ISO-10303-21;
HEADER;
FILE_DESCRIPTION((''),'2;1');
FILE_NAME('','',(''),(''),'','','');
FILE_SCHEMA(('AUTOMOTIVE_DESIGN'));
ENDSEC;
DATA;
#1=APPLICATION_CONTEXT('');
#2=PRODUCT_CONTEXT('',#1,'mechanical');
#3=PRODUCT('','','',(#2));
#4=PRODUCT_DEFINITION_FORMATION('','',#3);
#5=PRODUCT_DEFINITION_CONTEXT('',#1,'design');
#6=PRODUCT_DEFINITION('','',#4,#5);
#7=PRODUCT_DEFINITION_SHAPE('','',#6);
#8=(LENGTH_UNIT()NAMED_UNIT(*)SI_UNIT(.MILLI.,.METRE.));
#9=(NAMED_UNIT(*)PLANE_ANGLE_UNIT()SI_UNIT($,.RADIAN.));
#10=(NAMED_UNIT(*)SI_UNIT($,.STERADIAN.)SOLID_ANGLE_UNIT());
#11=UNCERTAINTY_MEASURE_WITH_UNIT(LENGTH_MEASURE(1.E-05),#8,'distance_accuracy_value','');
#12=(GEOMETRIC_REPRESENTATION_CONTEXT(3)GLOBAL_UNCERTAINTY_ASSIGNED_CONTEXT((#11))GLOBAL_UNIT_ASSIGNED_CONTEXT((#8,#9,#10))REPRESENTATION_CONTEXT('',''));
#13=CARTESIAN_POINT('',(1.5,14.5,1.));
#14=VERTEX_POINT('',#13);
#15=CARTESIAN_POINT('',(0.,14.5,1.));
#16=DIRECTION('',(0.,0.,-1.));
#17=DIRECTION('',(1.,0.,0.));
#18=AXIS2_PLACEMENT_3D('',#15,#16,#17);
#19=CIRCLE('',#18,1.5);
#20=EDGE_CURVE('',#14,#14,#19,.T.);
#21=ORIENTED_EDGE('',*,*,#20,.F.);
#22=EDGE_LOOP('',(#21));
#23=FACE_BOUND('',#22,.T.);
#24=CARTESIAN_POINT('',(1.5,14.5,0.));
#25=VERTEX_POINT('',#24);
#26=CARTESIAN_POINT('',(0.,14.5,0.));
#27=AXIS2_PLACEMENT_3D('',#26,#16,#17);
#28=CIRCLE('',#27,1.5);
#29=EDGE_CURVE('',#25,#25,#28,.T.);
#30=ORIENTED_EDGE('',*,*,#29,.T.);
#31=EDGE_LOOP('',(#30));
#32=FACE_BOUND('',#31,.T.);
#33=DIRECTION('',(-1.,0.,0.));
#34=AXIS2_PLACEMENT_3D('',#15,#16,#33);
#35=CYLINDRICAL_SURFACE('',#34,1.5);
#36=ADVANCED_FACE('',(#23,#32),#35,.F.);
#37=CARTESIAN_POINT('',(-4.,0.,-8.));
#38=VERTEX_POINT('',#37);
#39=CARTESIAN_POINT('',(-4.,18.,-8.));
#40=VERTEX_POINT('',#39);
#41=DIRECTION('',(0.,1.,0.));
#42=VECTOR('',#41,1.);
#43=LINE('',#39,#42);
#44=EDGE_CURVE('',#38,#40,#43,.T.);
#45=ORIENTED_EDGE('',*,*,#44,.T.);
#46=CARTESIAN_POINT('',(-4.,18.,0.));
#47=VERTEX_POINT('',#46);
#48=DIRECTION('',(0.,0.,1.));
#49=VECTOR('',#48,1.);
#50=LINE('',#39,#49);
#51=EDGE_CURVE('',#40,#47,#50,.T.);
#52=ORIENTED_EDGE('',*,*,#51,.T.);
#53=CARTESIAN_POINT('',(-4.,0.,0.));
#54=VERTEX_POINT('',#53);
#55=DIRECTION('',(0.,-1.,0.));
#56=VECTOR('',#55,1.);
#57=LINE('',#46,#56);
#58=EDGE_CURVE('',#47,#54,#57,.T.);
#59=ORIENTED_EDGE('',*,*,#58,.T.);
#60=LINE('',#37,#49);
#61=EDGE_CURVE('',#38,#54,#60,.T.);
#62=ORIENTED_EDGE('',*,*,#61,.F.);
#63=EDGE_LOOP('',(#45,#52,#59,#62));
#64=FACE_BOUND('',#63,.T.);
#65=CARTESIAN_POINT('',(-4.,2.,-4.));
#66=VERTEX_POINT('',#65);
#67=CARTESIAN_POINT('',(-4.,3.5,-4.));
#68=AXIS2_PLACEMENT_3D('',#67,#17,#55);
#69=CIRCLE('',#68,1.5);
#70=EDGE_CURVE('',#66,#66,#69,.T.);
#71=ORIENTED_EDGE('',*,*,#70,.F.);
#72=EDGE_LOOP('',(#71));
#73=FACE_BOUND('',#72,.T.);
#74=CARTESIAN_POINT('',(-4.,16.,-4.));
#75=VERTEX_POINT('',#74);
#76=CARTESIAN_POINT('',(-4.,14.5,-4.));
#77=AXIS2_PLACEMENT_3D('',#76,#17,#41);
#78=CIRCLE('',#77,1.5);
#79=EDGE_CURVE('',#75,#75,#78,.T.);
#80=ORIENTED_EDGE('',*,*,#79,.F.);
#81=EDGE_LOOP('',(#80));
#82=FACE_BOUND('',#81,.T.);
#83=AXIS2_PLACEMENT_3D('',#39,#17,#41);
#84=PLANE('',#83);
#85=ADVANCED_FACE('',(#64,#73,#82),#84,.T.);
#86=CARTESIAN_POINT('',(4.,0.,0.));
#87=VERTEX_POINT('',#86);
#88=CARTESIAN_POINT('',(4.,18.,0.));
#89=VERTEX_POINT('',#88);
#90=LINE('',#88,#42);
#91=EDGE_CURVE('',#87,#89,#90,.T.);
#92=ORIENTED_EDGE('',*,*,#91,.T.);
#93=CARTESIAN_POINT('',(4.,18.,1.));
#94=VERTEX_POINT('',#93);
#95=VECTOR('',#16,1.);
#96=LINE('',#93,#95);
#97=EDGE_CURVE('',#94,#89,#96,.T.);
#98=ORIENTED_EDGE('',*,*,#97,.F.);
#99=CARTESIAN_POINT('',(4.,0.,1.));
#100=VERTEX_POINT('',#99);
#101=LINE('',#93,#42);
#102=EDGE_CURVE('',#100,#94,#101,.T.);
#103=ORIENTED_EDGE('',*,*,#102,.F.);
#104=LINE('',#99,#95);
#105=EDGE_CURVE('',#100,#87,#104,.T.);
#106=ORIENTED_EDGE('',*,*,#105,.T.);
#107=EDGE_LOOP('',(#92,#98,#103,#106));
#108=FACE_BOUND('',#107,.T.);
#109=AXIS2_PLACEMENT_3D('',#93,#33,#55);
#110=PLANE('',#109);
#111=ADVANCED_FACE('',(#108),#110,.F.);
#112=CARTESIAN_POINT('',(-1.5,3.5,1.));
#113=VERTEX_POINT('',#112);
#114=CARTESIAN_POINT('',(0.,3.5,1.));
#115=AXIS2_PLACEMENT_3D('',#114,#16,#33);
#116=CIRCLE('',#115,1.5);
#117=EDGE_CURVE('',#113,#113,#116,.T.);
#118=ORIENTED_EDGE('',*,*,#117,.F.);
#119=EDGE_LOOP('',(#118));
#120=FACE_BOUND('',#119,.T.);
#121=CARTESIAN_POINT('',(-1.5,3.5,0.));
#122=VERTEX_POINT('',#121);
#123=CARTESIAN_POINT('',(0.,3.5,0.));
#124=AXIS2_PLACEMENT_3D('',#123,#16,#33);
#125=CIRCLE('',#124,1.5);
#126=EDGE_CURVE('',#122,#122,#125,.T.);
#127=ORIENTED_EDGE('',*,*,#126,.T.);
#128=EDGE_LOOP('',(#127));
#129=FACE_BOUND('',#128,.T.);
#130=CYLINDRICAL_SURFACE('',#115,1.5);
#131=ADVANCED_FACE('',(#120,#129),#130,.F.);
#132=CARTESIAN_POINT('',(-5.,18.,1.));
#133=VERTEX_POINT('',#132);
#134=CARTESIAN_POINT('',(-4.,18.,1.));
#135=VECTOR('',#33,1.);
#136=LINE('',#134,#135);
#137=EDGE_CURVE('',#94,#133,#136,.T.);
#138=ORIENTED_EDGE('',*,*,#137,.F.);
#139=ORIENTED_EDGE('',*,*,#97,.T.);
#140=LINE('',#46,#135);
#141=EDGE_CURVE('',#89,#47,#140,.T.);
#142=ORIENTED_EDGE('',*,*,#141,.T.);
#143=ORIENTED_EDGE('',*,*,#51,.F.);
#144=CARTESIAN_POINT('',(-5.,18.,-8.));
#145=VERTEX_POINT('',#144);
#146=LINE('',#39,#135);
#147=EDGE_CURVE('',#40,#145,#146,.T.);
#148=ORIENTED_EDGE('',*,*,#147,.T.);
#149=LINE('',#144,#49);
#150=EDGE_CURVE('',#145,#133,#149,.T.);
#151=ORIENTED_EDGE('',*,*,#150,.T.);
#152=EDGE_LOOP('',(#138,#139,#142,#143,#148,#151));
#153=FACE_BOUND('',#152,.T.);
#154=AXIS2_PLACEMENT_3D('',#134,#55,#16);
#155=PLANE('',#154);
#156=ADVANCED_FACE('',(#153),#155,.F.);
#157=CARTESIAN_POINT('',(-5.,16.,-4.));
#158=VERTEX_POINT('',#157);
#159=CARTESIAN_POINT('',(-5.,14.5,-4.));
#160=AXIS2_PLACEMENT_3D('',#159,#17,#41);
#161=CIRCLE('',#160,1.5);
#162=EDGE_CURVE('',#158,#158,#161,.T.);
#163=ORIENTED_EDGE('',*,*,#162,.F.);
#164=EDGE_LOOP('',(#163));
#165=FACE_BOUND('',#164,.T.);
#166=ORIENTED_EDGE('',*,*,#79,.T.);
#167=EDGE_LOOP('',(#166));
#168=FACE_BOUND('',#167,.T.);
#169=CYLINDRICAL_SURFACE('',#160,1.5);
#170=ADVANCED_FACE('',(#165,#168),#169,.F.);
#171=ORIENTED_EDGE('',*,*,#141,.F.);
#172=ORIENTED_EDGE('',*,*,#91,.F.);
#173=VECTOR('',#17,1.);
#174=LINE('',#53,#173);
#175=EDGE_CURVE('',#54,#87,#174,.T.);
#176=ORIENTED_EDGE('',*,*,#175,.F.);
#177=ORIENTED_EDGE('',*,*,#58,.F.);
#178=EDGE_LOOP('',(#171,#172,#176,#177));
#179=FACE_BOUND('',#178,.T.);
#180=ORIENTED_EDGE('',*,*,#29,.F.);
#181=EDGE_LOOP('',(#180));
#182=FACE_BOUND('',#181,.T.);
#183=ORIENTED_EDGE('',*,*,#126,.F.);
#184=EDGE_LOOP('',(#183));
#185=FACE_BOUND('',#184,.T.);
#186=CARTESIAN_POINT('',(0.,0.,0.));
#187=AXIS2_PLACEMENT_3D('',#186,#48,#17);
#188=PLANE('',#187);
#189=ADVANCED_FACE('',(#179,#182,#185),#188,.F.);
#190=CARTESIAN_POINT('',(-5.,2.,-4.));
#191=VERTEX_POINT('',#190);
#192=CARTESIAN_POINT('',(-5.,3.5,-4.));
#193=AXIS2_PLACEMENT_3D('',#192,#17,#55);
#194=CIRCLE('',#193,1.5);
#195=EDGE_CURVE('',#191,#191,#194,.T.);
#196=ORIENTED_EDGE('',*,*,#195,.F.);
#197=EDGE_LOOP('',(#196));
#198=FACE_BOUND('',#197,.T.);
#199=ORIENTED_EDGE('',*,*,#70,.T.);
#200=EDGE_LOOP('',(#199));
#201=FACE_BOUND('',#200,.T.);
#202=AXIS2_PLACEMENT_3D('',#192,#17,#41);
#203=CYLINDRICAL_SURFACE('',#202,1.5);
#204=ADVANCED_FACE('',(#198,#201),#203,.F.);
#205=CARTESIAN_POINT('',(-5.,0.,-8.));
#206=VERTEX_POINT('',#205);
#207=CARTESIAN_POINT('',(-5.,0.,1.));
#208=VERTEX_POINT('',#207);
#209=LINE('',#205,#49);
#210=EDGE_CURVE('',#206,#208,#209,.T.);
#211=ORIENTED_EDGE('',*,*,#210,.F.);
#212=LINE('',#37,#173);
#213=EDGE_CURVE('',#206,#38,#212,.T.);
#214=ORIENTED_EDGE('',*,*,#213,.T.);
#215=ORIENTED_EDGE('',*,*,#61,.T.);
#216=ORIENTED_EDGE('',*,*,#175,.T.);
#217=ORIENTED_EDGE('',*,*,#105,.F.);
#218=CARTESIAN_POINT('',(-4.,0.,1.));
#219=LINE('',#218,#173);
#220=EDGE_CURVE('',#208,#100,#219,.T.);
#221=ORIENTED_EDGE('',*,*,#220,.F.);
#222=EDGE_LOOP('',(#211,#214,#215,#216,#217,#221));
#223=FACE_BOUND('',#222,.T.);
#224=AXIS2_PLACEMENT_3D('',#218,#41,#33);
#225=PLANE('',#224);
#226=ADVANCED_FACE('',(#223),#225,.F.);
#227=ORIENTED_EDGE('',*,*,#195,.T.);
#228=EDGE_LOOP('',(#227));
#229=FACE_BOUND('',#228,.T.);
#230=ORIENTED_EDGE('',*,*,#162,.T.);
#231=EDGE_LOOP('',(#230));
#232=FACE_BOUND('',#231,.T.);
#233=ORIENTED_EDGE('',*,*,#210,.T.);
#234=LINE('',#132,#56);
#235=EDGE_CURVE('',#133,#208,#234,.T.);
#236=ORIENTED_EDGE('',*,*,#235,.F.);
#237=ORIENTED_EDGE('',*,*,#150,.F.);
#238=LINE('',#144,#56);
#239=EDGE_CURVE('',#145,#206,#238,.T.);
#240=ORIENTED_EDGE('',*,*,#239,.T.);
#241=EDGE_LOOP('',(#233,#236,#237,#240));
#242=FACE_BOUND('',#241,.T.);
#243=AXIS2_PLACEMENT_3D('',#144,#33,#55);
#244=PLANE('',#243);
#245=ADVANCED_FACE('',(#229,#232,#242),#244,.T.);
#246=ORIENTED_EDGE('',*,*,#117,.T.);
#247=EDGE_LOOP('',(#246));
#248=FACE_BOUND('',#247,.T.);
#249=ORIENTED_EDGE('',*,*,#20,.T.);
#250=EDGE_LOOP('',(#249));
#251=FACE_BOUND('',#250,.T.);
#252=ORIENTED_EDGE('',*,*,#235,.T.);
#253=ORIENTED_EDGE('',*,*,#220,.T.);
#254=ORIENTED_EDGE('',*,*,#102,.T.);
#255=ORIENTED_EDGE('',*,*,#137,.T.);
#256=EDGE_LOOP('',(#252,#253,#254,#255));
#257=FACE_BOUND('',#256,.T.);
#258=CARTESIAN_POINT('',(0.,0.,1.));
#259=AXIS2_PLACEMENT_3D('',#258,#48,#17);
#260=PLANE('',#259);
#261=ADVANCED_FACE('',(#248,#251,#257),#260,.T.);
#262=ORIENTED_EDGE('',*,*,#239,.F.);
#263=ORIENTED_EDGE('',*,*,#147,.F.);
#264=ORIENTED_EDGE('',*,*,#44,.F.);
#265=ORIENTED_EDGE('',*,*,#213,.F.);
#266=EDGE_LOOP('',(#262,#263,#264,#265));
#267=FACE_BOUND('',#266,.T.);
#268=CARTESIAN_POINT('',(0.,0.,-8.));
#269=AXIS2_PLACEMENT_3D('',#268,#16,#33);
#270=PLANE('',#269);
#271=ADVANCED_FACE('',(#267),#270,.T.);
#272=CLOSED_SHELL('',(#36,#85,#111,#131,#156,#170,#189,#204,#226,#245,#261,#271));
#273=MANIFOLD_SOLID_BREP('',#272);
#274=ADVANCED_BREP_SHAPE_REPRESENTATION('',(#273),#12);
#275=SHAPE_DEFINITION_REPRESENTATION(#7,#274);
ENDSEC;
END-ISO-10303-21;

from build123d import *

# Parameters (mm, degrees)
ESQUISSE1_W             = 8
ESQUISSE1_H             = 18
BOSS_EXTRU_1_DEPTH      = 1
ESQUISSE2_W             = 1
ESQUISSE2_H             = 18
BOSS_EXTRU_2_DEPTH      = 9
ESQUISSE3_R             = 1.5
ENL_V_MAT_EXTRU_1_DEPTH = 22.260291625
ESQUISSE4_R             = 1.5
ENL_V_MAT_EXTRU_2_DEPTH = 21.322401433


with BuildPart() as part:
    # Esquisse1 → Boss.-Extru.1 (new body)
    with BuildSketch(Plane.XY):
        with Locations((0, 9)):
            Rectangle(ESQUISSE1_W, ESQUISSE1_H)
    extrude(amount=BOSS_EXTRU_1_DEPTH)

    # Esquisse2 → Boss.-Extru.2 (add)
    with BuildSketch(Plane.XY.offset(1)):
        with Locations((-4.5, 9)):
            Rectangle(ESQUISSE2_W, ESQUISSE2_H)
    extrude(amount=-BOSS_EXTRU_2_DEPTH)

    # Esquisse3 → Enlèv. mat.-Extru.1 (cut, through all)
    with BuildSketch(Plane(origin=(-4, 0, 0), x_dir=(0, 0, -1), z_dir=(1, 0, 0))):
        with Locations(Location((4, 14.5, 0), (0, 0, 90))):
            Circle(ESQUISSE3_R)
        with Locations(Location((4, 3.5, 0), (0, 0, 270))):
            Circle(ESQUISSE3_R)
    extrude(amount=-ENL_V_MAT_EXTRU_1_DEPTH, mode=Mode.SUBTRACT)

    # Esquisse4 → Enlèv. mat.-Extru.2 (cut, through all)
    with BuildSketch(Plane(origin=(0, 0, 0), x_dir=(-1, 0, 0), z_dir=(0, 0, -1))):
        with Locations((0, 3.5)):
            Circle(ESQUISSE4_R)
        with Locations(Location((0, 14.5, 0), (0, 0, 180))):
            Circle(ESQUISSE4_R)
    extrude(amount=-ENL_V_MAT_EXTRU_2_DEPTH, mode=Mode.SUBTRACT)


solid = part.part
